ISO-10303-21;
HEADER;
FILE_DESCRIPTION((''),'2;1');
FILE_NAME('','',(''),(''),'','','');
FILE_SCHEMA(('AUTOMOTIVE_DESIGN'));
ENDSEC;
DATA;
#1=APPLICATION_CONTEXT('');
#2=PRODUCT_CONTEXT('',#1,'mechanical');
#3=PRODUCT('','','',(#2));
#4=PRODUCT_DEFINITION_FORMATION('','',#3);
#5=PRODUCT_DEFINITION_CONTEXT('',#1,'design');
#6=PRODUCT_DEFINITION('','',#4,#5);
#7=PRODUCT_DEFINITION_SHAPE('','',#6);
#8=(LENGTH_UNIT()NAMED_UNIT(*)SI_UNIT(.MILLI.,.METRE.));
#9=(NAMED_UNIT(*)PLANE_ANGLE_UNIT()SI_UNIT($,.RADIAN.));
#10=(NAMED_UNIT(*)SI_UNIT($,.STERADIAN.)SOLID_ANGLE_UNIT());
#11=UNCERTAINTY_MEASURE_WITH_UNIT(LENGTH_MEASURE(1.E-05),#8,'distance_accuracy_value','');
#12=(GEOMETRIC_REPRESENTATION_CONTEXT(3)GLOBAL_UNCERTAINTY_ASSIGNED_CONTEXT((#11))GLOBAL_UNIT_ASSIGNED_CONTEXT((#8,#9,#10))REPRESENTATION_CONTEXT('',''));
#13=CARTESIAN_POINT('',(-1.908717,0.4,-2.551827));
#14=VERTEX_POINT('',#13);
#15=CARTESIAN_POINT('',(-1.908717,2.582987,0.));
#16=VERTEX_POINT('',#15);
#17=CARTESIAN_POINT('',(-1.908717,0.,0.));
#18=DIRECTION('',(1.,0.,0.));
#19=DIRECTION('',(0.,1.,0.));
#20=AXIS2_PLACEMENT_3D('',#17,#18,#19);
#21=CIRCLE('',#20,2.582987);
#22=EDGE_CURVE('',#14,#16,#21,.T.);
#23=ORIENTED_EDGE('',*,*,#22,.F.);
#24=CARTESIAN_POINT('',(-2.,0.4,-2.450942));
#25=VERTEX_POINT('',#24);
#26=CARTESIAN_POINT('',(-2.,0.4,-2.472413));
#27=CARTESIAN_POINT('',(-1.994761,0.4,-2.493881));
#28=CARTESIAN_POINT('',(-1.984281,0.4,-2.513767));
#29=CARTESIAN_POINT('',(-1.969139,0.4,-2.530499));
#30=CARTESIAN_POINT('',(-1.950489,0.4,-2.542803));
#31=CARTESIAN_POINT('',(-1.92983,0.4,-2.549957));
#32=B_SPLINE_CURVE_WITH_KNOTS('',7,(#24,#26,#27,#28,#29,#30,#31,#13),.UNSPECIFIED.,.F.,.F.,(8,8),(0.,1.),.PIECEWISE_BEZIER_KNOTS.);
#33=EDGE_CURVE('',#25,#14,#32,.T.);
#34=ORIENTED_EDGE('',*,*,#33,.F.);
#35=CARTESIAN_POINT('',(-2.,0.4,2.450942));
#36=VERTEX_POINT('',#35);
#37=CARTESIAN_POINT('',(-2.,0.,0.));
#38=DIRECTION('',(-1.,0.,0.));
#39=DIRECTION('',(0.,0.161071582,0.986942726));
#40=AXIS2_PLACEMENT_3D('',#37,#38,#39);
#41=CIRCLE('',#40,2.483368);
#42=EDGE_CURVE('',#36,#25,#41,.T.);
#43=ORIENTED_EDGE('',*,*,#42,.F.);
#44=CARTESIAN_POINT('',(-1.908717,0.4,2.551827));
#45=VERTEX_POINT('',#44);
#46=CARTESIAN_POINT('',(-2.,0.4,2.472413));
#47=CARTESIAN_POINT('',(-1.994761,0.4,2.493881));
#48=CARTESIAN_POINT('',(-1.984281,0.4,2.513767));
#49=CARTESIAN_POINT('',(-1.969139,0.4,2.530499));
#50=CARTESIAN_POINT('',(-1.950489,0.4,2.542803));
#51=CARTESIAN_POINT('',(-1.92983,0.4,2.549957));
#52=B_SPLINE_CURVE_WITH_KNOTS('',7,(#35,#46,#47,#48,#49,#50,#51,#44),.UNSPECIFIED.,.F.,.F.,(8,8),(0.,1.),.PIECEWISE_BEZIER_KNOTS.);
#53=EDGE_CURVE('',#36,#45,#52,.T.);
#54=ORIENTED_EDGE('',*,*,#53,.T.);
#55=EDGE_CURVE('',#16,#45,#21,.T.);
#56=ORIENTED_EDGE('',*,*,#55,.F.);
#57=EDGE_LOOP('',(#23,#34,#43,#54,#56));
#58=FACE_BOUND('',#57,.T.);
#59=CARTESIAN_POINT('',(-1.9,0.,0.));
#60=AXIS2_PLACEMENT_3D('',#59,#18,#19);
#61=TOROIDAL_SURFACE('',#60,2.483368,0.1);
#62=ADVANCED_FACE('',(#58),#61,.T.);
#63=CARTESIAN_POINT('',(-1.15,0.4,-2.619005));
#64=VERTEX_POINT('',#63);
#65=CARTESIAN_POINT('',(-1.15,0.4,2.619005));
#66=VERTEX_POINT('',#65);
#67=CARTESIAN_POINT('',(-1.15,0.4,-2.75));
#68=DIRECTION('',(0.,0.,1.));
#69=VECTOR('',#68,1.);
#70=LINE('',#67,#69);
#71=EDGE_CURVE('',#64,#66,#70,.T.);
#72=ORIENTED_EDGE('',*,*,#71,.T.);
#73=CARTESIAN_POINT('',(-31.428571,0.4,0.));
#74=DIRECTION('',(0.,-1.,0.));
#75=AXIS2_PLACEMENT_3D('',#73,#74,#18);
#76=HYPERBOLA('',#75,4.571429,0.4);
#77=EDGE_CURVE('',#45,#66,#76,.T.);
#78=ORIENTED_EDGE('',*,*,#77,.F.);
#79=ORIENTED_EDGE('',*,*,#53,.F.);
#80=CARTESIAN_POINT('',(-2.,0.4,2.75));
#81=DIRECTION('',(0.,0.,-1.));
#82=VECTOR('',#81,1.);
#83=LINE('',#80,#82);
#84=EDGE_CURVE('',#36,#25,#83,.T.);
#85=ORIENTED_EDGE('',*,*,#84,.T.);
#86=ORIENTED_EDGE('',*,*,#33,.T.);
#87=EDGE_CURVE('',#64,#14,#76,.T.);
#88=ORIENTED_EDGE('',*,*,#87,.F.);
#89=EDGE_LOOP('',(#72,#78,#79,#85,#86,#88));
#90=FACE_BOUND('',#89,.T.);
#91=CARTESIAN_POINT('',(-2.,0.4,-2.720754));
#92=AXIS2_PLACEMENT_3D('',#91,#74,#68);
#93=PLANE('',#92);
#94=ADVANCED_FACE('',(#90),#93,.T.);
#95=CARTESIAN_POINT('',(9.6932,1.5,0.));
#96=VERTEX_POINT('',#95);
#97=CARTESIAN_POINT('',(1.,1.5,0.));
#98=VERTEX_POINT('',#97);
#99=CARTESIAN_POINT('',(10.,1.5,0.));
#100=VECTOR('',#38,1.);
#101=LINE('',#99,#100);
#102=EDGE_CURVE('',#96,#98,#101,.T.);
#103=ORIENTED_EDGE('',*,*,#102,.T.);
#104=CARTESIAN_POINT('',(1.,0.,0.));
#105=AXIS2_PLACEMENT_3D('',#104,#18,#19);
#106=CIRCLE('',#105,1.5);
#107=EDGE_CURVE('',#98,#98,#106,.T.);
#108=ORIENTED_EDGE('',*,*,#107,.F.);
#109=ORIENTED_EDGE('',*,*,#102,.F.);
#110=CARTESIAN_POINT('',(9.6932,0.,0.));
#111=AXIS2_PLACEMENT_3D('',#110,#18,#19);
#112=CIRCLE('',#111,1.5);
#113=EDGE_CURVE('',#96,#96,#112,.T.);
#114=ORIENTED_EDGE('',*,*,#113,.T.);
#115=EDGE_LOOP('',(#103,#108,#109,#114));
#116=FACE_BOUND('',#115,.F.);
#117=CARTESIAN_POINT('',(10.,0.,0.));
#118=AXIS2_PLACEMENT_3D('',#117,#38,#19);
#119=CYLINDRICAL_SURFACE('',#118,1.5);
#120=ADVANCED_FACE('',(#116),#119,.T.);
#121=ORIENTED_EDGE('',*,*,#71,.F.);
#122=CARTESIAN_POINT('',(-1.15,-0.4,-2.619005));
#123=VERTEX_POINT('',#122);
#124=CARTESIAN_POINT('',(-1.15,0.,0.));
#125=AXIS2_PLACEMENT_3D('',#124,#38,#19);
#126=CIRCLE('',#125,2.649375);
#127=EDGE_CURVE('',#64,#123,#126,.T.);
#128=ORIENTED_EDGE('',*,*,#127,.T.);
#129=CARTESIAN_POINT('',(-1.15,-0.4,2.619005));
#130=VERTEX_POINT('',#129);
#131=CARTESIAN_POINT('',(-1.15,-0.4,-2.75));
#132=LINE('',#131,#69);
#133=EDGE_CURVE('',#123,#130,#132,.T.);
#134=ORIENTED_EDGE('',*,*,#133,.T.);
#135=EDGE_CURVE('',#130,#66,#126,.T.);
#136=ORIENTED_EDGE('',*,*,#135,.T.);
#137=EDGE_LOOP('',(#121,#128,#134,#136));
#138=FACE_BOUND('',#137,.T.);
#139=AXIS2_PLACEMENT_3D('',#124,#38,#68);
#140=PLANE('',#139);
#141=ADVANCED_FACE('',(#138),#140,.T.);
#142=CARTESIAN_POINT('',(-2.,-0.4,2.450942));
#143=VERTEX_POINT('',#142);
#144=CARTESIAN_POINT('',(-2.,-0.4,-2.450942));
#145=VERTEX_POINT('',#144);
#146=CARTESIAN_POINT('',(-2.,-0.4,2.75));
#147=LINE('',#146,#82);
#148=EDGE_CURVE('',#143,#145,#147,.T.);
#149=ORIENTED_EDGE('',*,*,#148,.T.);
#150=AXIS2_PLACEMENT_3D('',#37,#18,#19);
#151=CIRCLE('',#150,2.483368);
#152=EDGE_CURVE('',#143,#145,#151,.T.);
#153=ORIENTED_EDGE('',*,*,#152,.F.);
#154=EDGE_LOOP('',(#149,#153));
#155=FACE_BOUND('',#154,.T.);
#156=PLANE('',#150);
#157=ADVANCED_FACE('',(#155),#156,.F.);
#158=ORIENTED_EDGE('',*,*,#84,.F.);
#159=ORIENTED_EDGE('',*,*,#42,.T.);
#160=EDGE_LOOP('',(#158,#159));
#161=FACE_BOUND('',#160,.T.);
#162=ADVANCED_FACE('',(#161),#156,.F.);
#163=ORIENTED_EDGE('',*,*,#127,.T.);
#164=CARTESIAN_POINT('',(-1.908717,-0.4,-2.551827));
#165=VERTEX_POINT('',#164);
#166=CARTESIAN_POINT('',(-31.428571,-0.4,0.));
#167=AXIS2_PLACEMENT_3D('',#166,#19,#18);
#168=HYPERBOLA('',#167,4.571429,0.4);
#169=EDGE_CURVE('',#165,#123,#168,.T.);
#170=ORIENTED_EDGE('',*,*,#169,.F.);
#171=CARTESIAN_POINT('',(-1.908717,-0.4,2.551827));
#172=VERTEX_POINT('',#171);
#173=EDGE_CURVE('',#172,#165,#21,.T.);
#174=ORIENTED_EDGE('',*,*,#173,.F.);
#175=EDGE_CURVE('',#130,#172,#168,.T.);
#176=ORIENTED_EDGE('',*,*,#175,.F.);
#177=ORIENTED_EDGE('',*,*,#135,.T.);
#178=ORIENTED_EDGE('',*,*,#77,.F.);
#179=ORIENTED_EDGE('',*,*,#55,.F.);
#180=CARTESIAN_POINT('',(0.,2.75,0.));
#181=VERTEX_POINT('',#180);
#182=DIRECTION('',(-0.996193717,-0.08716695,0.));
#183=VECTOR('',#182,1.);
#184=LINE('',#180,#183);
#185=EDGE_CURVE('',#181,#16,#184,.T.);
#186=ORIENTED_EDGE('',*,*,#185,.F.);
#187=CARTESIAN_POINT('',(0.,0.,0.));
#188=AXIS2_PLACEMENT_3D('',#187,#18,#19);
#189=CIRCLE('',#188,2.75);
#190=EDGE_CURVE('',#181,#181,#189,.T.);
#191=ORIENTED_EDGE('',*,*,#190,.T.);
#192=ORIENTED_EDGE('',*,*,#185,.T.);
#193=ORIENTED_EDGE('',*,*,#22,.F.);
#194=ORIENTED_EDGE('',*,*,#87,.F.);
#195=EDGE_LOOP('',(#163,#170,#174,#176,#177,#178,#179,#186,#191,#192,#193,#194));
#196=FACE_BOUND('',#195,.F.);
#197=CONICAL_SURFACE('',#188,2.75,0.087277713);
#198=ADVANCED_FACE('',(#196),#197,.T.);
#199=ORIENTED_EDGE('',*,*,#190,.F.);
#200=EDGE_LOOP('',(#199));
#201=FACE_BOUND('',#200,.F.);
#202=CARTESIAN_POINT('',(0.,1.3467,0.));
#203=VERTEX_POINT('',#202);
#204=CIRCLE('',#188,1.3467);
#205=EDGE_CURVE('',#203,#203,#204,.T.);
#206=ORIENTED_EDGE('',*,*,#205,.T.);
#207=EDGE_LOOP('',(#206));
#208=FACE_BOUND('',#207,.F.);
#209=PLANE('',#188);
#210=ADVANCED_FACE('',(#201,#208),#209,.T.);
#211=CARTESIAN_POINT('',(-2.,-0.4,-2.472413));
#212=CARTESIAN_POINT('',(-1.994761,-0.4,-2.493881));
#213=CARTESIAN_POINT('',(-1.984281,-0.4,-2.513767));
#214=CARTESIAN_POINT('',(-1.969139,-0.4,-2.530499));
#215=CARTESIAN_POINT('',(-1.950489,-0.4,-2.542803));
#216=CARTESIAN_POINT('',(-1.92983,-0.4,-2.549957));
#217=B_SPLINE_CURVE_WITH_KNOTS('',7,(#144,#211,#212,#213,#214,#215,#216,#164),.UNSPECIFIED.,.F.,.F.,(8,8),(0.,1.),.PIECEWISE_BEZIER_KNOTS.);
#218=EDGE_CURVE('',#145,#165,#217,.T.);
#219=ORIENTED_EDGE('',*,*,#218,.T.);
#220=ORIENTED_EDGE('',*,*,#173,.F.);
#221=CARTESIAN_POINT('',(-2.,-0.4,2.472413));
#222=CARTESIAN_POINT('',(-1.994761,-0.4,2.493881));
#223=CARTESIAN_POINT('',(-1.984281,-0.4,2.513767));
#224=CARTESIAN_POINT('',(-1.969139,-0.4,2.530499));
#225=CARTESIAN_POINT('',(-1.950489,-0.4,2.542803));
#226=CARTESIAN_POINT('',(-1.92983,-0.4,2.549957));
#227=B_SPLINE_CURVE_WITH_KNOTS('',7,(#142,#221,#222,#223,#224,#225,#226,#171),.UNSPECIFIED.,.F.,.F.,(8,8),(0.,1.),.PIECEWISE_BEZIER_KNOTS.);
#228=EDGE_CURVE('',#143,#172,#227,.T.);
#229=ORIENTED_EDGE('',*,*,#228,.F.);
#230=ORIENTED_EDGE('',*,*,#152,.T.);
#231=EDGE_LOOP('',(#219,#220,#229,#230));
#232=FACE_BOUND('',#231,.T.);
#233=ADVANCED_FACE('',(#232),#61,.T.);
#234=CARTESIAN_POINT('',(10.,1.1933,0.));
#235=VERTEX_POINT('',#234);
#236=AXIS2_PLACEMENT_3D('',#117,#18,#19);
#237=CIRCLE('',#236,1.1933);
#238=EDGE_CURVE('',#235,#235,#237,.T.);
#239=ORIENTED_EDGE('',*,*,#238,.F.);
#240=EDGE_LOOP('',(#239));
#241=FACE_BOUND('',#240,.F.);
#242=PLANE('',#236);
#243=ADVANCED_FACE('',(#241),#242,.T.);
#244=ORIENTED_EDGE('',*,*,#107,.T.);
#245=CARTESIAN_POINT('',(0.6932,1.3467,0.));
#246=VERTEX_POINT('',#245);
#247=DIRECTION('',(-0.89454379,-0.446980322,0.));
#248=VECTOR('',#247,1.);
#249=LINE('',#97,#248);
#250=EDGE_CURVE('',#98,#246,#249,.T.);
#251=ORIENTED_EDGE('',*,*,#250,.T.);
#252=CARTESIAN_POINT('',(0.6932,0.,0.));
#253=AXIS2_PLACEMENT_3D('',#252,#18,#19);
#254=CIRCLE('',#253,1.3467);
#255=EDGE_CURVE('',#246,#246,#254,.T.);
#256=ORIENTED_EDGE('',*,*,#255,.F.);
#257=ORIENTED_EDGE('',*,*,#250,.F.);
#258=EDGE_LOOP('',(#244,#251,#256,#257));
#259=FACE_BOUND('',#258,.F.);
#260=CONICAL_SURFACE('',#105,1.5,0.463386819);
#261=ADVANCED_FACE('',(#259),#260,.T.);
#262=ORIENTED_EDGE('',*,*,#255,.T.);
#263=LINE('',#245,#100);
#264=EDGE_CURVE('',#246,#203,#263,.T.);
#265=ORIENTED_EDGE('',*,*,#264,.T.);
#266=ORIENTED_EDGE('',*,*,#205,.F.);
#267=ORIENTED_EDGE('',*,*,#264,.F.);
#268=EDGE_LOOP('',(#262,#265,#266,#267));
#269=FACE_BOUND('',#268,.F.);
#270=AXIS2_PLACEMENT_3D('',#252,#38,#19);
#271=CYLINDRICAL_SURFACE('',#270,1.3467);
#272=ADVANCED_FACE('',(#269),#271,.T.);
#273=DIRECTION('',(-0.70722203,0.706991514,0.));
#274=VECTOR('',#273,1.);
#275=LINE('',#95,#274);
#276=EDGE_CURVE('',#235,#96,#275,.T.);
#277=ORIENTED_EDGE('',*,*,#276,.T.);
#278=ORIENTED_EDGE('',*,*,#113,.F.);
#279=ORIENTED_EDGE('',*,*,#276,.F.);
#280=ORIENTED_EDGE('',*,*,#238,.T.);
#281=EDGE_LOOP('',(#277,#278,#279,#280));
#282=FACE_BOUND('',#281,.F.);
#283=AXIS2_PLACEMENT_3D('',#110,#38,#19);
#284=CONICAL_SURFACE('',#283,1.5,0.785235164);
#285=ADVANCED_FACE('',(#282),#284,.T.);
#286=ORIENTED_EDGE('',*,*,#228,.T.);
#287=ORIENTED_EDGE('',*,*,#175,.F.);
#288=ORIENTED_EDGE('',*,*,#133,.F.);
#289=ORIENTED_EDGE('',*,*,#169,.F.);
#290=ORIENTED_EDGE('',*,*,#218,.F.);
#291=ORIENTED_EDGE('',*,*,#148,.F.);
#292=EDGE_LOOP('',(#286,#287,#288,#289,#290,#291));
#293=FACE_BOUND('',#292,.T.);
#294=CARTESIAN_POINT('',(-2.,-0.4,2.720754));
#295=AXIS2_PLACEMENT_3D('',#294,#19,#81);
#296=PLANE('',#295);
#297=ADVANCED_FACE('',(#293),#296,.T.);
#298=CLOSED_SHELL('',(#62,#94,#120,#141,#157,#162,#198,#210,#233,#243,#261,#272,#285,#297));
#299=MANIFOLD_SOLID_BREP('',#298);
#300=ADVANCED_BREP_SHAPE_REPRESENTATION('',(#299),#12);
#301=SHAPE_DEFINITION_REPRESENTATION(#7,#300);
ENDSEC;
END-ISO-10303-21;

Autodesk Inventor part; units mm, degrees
ref_plane "YZ Plane" through (0, 0, 0) normal (1, 0, 0) x (0, 1, 0)
ref_plane "XZ Plane" through (0, 0, 0) normal (0, 1, 0) x (-1, 0, 0)
sketch "Szkic1" plane through (0, 0, 0) normal (0, 0, 1) x (1, 0, 0)
  line L0 (-2, 0) -> (10, 0)
  line L1 (10, 0) -> (10, 1.5)
  line L2 (10, 1.5) -> (1, 1.5)
  line L3 (1, 1.5) -> (0.6932, 1.3467)
  line L4 (0.6932, 1.3467) -> (0, 1.3467)
  line L5 (0, 1.3467) -> (0, 2.75)
  line L6 (-4.4, 0) -> (12.4, 0) projected
  line L7 (0, -0.55) -> (0, 3.3) projected
  line L8 (-2, 0) -> (-2, 2.575)
  line L9 (0, 2.75) -> (-2, 2.575)
  line L10 (1, 1.5) -> (0, 1.5) construction
  dimension "d0" = 10
  dimension "d1" = 9
  dimension "d2" = 0.3068
  dimension "d3" = 2
  dimension "d4" = 3
  dimension "d5" = 2.6935
  dimension "d9" = 5.5
  dimension "d10" = 5
revolve "Bryła" add sketch "Szkic1" angle 360 about axis through (-2, 0, 0) along (1, 0, 0)
sketch "Szkic2" plane through (-2, 0, 0) normal (-1, 0, 0) x (0, 0, 1)
  circle A0 centre (0, 0) radius 2.75 projected
  line L0 (0, 0) -> (0, 2.575) projected
  line L1 (-2.75, 0.4) -> (2.75, 0.4)
  line L2 (2.75, 0.4) -> (2.75, -0.4)
  line L3 (2.75, -0.4) -> (-2.75, -0.4)
  line L4 (-2.75, -0.4) -> (-2.75, 0.4)
  line L5 (-2.75, 0) -> (2.75, 0) construction
  line L6 (0, 0.4) -> (0, -0.4) construction
  dimension "d11" = 0.8
  dimension "d12" = 5.5
fillet "Zaokrąglenie1" radius 0.1 1 edges at (-2, -2.575, 0)
extrude "Szczelina" cut sketch "Szkic2" against normal blind 0.85 contours A0 L3 L1 | L2 L3 A0 | A0 L1 L2 | A0 L4 L1 | L3 L4 A0
thread "Gwint" size "M3x0.5" class "6g" standard "ISO Metric profile" length 9
chamfer "Faza1" distance 0.3067 distance2 0.3068 1 edges at (10, -1.5, 0) measured on face at (10, 0.417, 0.2189)
ref_plane "Work Plane1" through (30.1625, 0, 0) normal (0, 0, -1) x (1, 0, 0)
equation "\"d11\" = SBR"
equation "\"d12\" = KOD"
equation "\"d14\" = RR"
equation "\"d19\" = STI"
equation "\"d15\" = GEL"
equation "\"d17\" = -0.5 * SPD + 0.5 * GD"
equation "\"d0\" = NLG"
equation "\"d1\" = GEL"
equation "\"d3\" = KOH"
equation "\"d4\" = GD"
equation "\"d5\" = BDM"
equation "\"d9\" = KOD"
equation "\"d10\" = KEWI"
equation "\"GD\" = NND"
equation "\"NLG\" = 10"
equation "\"GEL\" = 9"
equation "\"KOD\" = 5.5"
equation "\"KOH\" = 2"
equation "\"GAL\" = 0.61345 * PTC"
equation "\"SPD\" = NND - 1.2269 * PTC"
equation "\"BDM\" = 2.6935"
equation "\"GUL\" = 0.61345 * PTC"
equation "\"RR\" = 0.1"
equation "\"SBR\" = 0.8"
equation "\"STI\" = 0.85"
equation "\"KEWI\" = 5deg"
equation "\"PTC\" = 0.5"
equation "\"THREADDIA\" = 3"
equation "\"TOA\" = 30deg"
equation "\"NND\" = 3"
equation "\"GD1\" = THREADDIA - 1.2269 * PTC"
properties part number "ISO 1207 - M3 x 10" material "Stal nierdzewna 440C"
